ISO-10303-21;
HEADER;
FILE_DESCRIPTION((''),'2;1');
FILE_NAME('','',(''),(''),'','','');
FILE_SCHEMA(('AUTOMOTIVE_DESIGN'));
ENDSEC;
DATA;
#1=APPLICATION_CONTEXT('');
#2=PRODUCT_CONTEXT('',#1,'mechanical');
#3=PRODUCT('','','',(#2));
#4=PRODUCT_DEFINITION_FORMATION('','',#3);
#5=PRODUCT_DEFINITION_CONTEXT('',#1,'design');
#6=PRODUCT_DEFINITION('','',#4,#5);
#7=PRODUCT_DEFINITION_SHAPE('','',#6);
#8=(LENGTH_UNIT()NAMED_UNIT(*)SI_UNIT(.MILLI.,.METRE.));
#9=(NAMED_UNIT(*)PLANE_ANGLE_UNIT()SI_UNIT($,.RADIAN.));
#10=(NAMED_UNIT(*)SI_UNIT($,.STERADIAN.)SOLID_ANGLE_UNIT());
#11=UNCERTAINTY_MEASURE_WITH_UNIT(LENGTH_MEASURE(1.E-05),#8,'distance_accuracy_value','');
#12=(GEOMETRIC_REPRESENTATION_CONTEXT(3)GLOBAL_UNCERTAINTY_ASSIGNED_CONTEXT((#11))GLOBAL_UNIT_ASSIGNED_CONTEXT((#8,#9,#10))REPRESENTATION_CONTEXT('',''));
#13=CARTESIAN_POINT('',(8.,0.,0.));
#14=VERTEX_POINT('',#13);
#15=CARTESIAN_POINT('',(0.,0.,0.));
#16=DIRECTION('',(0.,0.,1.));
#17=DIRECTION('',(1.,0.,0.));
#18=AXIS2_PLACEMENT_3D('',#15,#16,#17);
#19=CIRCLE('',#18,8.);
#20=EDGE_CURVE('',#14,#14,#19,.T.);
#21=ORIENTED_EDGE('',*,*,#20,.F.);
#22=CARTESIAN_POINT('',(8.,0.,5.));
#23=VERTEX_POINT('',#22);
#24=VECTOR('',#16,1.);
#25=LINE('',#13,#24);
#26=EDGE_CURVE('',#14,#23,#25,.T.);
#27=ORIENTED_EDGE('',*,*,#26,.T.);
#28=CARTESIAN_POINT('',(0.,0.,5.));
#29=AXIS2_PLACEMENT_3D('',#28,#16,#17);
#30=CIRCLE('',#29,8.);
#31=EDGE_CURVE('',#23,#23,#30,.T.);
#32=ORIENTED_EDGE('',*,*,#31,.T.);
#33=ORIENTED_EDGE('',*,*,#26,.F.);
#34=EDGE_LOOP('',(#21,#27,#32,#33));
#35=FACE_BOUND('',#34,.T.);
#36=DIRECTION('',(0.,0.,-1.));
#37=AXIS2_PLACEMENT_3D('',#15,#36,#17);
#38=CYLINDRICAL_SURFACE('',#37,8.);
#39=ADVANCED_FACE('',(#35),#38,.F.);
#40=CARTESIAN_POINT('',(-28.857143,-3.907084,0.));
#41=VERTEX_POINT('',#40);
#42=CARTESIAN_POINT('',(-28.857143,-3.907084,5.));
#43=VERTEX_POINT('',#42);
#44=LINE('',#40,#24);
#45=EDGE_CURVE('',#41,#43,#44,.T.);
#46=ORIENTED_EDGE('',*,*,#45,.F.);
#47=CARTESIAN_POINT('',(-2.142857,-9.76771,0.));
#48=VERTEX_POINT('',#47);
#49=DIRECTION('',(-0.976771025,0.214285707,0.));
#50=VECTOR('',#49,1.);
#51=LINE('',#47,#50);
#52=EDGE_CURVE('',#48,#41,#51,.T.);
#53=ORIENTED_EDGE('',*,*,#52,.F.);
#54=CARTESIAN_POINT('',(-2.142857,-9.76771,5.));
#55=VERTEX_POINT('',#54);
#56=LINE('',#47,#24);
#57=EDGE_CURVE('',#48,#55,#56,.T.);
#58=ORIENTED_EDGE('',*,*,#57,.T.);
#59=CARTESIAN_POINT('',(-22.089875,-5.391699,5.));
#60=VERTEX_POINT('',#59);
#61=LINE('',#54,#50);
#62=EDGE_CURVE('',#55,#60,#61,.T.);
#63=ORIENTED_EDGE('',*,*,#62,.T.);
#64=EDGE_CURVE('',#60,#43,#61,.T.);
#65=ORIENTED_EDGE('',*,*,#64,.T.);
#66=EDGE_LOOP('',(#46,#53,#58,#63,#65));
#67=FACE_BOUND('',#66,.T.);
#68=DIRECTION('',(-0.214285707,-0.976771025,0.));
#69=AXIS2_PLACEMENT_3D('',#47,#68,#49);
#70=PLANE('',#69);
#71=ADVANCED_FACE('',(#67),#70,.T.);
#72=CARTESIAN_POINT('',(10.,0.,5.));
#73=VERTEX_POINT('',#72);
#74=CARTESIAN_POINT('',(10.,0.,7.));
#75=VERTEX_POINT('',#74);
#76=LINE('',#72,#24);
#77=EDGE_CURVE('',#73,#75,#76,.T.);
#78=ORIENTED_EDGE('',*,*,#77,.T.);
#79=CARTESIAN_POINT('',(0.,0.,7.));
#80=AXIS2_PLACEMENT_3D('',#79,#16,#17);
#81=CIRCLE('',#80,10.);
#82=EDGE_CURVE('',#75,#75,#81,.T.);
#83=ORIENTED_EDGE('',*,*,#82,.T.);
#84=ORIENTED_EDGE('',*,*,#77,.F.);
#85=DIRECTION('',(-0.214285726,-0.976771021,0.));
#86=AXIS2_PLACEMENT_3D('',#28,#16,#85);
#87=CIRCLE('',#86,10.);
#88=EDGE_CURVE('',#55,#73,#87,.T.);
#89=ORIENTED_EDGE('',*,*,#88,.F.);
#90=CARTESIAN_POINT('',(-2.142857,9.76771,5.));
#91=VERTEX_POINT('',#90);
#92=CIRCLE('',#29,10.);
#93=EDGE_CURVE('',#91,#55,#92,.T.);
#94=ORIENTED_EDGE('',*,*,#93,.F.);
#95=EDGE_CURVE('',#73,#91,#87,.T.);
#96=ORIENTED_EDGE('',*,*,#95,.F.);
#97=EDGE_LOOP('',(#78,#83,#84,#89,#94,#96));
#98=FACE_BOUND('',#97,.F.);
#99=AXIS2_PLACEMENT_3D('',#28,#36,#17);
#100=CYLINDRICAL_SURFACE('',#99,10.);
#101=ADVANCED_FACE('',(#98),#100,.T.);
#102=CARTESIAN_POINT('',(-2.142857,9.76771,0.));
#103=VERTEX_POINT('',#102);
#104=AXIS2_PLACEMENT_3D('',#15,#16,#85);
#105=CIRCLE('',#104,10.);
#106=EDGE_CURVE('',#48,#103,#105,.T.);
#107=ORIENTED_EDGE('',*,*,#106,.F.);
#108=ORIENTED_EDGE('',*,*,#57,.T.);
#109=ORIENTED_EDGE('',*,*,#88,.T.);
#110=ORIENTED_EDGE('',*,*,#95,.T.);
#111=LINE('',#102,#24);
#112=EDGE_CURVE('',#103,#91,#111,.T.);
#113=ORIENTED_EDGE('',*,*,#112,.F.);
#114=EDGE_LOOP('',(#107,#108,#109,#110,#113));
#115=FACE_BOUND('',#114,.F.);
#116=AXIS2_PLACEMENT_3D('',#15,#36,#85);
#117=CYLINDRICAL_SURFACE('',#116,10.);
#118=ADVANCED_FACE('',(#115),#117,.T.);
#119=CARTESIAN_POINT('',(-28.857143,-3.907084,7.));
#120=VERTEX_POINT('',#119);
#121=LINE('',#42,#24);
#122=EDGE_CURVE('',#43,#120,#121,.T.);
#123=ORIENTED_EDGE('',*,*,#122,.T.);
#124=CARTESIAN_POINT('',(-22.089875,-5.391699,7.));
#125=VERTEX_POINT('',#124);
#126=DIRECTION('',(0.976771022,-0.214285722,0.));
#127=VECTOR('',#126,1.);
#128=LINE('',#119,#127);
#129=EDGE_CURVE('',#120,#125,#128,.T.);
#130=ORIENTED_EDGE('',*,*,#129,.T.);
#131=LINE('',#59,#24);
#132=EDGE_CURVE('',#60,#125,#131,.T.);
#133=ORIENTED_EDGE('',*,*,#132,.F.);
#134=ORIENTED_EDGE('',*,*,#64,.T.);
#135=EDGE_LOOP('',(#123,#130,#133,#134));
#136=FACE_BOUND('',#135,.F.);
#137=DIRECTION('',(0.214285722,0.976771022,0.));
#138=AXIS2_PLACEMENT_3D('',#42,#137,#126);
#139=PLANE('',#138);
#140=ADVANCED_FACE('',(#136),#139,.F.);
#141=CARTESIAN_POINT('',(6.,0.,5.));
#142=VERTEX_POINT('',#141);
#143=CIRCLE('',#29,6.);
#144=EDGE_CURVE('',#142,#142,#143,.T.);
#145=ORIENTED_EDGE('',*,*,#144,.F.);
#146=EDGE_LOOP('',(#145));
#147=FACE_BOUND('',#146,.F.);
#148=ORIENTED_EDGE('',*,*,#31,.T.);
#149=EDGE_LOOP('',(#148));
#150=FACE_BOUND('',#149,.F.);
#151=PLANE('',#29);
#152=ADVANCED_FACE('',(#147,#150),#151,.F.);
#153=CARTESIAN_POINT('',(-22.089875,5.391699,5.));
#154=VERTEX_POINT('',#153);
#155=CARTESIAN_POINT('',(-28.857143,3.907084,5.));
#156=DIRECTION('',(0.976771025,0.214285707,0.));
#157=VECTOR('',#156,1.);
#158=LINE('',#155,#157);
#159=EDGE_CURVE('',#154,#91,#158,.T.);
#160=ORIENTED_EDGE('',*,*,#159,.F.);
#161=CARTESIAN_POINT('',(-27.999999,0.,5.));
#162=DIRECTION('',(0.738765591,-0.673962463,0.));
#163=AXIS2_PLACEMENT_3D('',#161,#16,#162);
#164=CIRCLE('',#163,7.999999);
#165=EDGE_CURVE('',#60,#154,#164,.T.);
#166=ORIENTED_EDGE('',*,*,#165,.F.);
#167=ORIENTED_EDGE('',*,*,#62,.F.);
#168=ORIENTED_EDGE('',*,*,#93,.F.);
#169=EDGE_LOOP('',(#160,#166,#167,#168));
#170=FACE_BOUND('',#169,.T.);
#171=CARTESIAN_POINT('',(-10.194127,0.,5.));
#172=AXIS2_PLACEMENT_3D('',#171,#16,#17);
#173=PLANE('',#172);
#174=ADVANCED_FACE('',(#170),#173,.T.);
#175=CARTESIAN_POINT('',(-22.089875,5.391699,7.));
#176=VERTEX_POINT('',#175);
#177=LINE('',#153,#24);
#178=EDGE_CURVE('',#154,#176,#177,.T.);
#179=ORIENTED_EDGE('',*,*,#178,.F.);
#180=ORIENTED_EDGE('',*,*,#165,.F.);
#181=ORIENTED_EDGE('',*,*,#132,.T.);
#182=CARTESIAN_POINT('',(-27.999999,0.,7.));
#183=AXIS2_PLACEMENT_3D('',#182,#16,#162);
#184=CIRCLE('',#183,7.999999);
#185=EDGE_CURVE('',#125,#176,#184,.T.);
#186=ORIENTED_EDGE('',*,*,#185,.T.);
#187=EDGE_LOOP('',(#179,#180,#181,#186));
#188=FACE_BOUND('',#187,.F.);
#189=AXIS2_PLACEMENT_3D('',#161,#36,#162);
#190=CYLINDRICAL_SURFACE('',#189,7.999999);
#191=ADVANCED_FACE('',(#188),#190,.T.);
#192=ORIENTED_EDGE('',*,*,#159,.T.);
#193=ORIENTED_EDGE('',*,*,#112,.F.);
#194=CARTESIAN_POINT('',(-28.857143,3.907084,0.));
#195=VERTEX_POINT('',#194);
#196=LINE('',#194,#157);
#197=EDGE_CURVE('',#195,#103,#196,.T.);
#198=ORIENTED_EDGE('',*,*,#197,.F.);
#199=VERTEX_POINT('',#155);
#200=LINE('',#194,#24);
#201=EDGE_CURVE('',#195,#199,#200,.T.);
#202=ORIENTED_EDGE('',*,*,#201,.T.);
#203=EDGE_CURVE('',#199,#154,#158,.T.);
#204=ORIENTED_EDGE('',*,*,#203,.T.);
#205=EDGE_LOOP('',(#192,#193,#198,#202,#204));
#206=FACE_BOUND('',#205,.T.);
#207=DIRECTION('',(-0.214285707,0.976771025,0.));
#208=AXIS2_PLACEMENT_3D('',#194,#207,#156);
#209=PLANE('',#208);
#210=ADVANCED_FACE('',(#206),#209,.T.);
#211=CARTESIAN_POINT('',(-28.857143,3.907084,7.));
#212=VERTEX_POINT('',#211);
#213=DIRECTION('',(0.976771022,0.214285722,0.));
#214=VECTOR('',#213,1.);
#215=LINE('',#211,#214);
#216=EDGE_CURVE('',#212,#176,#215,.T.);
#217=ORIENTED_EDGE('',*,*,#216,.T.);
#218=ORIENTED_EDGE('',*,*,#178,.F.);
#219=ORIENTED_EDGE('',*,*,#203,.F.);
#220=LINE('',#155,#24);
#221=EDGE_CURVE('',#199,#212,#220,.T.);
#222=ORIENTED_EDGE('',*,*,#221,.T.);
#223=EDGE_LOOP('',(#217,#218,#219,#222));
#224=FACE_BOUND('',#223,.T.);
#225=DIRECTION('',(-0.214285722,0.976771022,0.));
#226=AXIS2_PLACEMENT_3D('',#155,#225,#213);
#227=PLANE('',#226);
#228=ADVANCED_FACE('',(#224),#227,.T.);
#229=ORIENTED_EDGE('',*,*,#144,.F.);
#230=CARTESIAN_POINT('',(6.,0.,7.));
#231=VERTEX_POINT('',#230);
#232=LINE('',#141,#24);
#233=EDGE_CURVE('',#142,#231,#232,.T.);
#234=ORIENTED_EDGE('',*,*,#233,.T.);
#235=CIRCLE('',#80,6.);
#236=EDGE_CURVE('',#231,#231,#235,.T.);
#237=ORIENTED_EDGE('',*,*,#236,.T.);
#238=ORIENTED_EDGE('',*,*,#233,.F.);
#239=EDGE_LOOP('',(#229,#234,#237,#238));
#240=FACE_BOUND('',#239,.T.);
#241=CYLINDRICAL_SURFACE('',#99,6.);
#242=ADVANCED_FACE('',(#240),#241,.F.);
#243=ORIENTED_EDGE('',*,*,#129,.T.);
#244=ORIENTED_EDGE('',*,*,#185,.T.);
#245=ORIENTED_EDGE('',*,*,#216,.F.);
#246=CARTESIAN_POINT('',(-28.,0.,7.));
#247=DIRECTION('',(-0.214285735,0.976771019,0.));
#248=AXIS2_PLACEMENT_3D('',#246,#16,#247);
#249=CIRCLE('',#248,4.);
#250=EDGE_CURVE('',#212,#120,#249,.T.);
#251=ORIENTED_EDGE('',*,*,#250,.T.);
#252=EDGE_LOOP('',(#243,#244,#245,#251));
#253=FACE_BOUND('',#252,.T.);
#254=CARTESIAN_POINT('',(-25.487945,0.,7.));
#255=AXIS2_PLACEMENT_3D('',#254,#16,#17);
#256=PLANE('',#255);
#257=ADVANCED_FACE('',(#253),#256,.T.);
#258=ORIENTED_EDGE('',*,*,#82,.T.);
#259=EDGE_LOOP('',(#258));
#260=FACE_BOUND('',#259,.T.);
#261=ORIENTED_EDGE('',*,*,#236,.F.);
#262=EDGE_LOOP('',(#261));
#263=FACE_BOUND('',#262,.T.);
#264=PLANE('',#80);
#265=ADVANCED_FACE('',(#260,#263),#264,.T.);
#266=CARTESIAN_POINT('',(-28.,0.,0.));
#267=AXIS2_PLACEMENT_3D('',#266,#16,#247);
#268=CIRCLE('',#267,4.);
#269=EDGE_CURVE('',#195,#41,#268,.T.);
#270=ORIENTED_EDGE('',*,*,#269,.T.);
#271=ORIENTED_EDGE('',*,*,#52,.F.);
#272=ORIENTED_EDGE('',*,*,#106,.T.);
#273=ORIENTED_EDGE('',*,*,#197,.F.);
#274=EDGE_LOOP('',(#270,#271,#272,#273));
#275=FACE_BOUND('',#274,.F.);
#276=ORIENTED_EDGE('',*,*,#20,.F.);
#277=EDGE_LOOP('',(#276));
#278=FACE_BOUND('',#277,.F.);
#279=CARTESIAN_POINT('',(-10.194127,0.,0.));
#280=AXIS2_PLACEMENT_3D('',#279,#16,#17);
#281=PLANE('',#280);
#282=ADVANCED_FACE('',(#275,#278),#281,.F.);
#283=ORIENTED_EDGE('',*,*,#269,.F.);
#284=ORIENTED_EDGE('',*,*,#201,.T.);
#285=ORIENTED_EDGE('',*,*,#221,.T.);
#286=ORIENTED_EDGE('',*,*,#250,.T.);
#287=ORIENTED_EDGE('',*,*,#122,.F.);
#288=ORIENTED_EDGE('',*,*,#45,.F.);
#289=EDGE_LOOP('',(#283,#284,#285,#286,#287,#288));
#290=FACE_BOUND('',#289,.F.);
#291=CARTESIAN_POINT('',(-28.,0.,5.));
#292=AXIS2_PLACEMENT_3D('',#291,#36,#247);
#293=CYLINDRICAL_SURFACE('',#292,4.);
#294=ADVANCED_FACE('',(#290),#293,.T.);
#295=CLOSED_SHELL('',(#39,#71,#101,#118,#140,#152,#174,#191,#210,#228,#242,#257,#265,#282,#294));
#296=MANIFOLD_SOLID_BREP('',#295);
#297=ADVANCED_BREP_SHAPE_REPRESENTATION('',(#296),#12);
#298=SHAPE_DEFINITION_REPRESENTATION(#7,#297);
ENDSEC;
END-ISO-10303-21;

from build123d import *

# Parameters (mm, degrees)
SKETCH_R      = 8
PAD_DEPTH     = 5
SKETCH001_R   = 10
SKETCH001_R_2 = 6
PAD001_DEPTH  = 2
PAD002_DEPTH  = 2


with BuildPart() as part:
    # Sketch → Pad (new body)
    with BuildSketch(Plane.XY):
        with BuildLine():
            ThreePointArc((-2.142857, -9.76771), (10, 0), (-2.142857, 9.76771))
            Line((-28.857143, 3.907084), (-2.142857, 9.76771))
            ThreePointArc((-28.857143, 3.907084), (-32, 0), (-28.857143, -3.907084))
            Line((-2.142857, -9.76771), (-28.857143, -3.907084))
        make_face()
        Circle(SKETCH_R, mode=Mode.SUBTRACT)
    extrude(amount=PAD_DEPTH)

    # Sketch001 (on Face7 of Pad) → Pad001 (join)
    with BuildSketch(Plane.XY.offset(5)):
        Circle(SKETCH001_R)
        Circle(SKETCH001_R_2, mode=Mode.SUBTRACT)
    extrude(amount=PAD001_DEPTH)

    # Sketch002 (on Face7 of Pad001) → Pad002 (join)
    with BuildSketch(Plane.XY.offset(5)):
        with BuildLine():
            ThreePointArc((-28.857143, 3.907084), (-32, 0), (-28.857143, -3.907084))
            Line((-28.857143, -3.907084), (-22.089875, -5.391699))
            ThreePointArc((-22.089875, -5.391699), (-20, 0), (-22.089875, 5.391699))
            Line((-28.857143, 3.907084), (-22.089875, 5.391699))
        make_face()
    extrude(amount=PAD002_DEPTH)


solid = part.part
